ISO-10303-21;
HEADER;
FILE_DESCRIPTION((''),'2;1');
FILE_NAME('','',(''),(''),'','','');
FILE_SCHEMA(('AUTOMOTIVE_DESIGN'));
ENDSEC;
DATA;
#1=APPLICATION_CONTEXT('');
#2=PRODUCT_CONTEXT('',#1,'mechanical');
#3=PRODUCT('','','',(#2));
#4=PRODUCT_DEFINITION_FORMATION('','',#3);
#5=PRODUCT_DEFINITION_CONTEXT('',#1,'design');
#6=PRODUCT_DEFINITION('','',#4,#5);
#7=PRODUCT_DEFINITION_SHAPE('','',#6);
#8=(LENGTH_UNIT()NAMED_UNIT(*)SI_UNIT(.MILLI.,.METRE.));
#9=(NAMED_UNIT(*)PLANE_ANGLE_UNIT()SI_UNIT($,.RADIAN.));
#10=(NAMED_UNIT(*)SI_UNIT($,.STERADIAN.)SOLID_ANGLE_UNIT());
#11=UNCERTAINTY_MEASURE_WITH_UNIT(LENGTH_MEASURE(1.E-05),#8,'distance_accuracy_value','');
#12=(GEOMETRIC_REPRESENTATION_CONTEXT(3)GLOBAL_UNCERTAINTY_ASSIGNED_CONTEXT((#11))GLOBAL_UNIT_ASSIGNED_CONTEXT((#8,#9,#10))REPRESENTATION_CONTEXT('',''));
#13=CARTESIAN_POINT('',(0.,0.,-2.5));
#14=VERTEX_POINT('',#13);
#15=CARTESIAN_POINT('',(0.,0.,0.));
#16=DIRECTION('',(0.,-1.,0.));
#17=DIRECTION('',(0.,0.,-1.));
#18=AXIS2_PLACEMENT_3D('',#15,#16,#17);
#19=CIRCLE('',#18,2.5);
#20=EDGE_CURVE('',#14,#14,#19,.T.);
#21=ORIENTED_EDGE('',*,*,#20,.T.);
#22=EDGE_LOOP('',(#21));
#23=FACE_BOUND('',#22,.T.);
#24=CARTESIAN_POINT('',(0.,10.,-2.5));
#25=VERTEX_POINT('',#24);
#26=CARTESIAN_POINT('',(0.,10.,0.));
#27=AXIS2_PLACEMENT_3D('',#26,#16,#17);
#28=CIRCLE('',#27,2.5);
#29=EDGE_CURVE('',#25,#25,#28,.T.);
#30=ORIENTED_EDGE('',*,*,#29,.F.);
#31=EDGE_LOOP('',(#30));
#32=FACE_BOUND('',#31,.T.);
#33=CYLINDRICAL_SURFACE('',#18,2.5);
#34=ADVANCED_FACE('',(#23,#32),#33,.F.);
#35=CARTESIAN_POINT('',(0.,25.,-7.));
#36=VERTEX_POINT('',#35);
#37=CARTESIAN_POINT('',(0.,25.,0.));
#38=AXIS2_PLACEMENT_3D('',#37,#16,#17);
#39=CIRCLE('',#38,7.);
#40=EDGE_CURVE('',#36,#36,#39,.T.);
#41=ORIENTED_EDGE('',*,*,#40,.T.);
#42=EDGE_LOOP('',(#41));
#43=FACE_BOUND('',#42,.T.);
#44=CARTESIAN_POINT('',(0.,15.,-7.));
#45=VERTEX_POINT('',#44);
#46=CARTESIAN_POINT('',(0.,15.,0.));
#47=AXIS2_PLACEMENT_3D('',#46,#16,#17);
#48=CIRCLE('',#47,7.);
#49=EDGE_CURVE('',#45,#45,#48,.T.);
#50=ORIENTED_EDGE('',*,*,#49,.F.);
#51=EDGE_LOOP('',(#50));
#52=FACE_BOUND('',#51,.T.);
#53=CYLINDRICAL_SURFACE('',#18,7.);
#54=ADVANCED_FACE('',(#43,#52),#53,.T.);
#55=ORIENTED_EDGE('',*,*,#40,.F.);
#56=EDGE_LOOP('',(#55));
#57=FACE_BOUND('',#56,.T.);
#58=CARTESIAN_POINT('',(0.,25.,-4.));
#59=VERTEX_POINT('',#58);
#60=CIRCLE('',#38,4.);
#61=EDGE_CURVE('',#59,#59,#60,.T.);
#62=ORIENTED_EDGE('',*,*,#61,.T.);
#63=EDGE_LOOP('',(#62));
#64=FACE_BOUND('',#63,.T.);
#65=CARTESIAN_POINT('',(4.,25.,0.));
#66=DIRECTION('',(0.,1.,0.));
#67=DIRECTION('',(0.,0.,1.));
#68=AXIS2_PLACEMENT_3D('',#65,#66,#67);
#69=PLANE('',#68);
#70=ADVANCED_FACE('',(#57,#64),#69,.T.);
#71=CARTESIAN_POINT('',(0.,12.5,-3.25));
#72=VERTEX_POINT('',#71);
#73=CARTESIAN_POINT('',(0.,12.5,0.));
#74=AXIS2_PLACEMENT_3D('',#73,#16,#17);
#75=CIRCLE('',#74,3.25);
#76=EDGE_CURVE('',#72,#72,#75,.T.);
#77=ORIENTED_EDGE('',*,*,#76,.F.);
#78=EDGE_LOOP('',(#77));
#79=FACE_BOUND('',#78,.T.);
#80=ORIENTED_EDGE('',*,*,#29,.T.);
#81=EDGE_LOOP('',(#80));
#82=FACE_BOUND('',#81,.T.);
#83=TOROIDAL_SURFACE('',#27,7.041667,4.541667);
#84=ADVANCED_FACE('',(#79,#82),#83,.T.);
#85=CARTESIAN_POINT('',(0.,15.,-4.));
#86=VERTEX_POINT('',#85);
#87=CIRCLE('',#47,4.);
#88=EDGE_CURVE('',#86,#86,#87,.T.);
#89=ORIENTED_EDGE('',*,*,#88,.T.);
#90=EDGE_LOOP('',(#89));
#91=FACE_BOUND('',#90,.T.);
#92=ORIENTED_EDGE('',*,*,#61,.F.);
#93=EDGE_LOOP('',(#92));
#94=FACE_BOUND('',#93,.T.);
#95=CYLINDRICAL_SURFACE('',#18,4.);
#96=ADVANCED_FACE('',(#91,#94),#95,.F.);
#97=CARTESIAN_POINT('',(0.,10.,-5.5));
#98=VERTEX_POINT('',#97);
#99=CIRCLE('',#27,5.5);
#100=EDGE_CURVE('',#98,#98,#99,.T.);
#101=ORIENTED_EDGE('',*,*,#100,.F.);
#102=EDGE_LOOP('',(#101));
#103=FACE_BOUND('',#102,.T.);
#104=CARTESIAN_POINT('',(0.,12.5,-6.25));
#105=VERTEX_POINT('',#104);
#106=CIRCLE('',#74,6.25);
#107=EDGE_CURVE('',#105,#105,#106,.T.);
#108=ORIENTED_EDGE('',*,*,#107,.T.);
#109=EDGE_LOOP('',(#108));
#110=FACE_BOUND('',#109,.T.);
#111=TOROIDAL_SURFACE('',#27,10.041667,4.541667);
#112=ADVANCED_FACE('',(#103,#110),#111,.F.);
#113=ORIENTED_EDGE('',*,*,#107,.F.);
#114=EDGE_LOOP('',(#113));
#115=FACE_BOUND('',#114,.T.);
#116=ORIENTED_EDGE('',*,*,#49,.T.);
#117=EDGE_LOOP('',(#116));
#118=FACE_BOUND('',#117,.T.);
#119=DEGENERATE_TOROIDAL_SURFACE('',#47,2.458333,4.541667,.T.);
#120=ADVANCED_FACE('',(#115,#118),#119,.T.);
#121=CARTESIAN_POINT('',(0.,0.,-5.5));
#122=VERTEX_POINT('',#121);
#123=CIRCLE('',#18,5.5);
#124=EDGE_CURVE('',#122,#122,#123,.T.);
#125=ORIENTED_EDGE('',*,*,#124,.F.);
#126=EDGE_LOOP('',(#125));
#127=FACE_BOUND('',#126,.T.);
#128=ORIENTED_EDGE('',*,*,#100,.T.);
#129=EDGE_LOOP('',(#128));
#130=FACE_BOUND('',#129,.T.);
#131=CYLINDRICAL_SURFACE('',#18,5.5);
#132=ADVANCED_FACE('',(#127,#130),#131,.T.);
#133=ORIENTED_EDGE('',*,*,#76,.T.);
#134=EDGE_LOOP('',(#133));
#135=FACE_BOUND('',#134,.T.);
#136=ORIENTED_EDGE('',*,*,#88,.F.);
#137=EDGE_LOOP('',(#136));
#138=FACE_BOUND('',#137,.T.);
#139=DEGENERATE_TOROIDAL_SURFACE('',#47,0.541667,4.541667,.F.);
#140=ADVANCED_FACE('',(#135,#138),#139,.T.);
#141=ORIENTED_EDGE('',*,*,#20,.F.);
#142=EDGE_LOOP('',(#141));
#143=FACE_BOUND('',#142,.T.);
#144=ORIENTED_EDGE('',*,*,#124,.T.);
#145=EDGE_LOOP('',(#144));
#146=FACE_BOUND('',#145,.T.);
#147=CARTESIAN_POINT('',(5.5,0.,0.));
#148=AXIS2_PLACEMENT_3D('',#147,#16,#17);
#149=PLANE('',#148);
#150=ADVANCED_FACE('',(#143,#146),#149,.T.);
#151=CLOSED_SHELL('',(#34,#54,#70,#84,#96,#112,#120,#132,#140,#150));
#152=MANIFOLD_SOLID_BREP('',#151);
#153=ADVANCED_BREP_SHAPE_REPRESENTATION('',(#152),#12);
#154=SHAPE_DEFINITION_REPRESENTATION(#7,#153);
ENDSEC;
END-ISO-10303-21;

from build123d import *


with BuildPart() as part:
    # Sketch1 → Revolve1 (revolve)
    with BuildSketch(Plane.XY, mode=Mode.PRIVATE) as revolve1_sk:
        with BuildLine():
            Line((2.5, 0), (2.5, 10))
            ThreePointArc((2.5, 10), (2.691538955, 11.305038314), (3.25, 12.5))
            ThreePointArc((3.25, 12.5), (3.808461045, 13.694961686), (4, 15))
            Line((4, 15), (4, 25))
            Line((4, 25), (7, 25))
            Line((7, 25), (7, 15))
            ThreePointArc((7, 15), (6.808461045, 13.694961686), (6.25, 12.5))
            ThreePointArc((6.25, 12.5), (5.691538955, 11.305038314), (5.5, 10))
            Line((5.5, 10), (5.5, 0))
            Line((5.5, 0), (2.5, 0))
        make_face()
    revolve(revolve1_sk.sketch.rotate(Axis((0, 0, 0), (0, 1, 0)), 90), axis=Axis((0, 0, 0), (0, 1, 0)))


solid = part.part
